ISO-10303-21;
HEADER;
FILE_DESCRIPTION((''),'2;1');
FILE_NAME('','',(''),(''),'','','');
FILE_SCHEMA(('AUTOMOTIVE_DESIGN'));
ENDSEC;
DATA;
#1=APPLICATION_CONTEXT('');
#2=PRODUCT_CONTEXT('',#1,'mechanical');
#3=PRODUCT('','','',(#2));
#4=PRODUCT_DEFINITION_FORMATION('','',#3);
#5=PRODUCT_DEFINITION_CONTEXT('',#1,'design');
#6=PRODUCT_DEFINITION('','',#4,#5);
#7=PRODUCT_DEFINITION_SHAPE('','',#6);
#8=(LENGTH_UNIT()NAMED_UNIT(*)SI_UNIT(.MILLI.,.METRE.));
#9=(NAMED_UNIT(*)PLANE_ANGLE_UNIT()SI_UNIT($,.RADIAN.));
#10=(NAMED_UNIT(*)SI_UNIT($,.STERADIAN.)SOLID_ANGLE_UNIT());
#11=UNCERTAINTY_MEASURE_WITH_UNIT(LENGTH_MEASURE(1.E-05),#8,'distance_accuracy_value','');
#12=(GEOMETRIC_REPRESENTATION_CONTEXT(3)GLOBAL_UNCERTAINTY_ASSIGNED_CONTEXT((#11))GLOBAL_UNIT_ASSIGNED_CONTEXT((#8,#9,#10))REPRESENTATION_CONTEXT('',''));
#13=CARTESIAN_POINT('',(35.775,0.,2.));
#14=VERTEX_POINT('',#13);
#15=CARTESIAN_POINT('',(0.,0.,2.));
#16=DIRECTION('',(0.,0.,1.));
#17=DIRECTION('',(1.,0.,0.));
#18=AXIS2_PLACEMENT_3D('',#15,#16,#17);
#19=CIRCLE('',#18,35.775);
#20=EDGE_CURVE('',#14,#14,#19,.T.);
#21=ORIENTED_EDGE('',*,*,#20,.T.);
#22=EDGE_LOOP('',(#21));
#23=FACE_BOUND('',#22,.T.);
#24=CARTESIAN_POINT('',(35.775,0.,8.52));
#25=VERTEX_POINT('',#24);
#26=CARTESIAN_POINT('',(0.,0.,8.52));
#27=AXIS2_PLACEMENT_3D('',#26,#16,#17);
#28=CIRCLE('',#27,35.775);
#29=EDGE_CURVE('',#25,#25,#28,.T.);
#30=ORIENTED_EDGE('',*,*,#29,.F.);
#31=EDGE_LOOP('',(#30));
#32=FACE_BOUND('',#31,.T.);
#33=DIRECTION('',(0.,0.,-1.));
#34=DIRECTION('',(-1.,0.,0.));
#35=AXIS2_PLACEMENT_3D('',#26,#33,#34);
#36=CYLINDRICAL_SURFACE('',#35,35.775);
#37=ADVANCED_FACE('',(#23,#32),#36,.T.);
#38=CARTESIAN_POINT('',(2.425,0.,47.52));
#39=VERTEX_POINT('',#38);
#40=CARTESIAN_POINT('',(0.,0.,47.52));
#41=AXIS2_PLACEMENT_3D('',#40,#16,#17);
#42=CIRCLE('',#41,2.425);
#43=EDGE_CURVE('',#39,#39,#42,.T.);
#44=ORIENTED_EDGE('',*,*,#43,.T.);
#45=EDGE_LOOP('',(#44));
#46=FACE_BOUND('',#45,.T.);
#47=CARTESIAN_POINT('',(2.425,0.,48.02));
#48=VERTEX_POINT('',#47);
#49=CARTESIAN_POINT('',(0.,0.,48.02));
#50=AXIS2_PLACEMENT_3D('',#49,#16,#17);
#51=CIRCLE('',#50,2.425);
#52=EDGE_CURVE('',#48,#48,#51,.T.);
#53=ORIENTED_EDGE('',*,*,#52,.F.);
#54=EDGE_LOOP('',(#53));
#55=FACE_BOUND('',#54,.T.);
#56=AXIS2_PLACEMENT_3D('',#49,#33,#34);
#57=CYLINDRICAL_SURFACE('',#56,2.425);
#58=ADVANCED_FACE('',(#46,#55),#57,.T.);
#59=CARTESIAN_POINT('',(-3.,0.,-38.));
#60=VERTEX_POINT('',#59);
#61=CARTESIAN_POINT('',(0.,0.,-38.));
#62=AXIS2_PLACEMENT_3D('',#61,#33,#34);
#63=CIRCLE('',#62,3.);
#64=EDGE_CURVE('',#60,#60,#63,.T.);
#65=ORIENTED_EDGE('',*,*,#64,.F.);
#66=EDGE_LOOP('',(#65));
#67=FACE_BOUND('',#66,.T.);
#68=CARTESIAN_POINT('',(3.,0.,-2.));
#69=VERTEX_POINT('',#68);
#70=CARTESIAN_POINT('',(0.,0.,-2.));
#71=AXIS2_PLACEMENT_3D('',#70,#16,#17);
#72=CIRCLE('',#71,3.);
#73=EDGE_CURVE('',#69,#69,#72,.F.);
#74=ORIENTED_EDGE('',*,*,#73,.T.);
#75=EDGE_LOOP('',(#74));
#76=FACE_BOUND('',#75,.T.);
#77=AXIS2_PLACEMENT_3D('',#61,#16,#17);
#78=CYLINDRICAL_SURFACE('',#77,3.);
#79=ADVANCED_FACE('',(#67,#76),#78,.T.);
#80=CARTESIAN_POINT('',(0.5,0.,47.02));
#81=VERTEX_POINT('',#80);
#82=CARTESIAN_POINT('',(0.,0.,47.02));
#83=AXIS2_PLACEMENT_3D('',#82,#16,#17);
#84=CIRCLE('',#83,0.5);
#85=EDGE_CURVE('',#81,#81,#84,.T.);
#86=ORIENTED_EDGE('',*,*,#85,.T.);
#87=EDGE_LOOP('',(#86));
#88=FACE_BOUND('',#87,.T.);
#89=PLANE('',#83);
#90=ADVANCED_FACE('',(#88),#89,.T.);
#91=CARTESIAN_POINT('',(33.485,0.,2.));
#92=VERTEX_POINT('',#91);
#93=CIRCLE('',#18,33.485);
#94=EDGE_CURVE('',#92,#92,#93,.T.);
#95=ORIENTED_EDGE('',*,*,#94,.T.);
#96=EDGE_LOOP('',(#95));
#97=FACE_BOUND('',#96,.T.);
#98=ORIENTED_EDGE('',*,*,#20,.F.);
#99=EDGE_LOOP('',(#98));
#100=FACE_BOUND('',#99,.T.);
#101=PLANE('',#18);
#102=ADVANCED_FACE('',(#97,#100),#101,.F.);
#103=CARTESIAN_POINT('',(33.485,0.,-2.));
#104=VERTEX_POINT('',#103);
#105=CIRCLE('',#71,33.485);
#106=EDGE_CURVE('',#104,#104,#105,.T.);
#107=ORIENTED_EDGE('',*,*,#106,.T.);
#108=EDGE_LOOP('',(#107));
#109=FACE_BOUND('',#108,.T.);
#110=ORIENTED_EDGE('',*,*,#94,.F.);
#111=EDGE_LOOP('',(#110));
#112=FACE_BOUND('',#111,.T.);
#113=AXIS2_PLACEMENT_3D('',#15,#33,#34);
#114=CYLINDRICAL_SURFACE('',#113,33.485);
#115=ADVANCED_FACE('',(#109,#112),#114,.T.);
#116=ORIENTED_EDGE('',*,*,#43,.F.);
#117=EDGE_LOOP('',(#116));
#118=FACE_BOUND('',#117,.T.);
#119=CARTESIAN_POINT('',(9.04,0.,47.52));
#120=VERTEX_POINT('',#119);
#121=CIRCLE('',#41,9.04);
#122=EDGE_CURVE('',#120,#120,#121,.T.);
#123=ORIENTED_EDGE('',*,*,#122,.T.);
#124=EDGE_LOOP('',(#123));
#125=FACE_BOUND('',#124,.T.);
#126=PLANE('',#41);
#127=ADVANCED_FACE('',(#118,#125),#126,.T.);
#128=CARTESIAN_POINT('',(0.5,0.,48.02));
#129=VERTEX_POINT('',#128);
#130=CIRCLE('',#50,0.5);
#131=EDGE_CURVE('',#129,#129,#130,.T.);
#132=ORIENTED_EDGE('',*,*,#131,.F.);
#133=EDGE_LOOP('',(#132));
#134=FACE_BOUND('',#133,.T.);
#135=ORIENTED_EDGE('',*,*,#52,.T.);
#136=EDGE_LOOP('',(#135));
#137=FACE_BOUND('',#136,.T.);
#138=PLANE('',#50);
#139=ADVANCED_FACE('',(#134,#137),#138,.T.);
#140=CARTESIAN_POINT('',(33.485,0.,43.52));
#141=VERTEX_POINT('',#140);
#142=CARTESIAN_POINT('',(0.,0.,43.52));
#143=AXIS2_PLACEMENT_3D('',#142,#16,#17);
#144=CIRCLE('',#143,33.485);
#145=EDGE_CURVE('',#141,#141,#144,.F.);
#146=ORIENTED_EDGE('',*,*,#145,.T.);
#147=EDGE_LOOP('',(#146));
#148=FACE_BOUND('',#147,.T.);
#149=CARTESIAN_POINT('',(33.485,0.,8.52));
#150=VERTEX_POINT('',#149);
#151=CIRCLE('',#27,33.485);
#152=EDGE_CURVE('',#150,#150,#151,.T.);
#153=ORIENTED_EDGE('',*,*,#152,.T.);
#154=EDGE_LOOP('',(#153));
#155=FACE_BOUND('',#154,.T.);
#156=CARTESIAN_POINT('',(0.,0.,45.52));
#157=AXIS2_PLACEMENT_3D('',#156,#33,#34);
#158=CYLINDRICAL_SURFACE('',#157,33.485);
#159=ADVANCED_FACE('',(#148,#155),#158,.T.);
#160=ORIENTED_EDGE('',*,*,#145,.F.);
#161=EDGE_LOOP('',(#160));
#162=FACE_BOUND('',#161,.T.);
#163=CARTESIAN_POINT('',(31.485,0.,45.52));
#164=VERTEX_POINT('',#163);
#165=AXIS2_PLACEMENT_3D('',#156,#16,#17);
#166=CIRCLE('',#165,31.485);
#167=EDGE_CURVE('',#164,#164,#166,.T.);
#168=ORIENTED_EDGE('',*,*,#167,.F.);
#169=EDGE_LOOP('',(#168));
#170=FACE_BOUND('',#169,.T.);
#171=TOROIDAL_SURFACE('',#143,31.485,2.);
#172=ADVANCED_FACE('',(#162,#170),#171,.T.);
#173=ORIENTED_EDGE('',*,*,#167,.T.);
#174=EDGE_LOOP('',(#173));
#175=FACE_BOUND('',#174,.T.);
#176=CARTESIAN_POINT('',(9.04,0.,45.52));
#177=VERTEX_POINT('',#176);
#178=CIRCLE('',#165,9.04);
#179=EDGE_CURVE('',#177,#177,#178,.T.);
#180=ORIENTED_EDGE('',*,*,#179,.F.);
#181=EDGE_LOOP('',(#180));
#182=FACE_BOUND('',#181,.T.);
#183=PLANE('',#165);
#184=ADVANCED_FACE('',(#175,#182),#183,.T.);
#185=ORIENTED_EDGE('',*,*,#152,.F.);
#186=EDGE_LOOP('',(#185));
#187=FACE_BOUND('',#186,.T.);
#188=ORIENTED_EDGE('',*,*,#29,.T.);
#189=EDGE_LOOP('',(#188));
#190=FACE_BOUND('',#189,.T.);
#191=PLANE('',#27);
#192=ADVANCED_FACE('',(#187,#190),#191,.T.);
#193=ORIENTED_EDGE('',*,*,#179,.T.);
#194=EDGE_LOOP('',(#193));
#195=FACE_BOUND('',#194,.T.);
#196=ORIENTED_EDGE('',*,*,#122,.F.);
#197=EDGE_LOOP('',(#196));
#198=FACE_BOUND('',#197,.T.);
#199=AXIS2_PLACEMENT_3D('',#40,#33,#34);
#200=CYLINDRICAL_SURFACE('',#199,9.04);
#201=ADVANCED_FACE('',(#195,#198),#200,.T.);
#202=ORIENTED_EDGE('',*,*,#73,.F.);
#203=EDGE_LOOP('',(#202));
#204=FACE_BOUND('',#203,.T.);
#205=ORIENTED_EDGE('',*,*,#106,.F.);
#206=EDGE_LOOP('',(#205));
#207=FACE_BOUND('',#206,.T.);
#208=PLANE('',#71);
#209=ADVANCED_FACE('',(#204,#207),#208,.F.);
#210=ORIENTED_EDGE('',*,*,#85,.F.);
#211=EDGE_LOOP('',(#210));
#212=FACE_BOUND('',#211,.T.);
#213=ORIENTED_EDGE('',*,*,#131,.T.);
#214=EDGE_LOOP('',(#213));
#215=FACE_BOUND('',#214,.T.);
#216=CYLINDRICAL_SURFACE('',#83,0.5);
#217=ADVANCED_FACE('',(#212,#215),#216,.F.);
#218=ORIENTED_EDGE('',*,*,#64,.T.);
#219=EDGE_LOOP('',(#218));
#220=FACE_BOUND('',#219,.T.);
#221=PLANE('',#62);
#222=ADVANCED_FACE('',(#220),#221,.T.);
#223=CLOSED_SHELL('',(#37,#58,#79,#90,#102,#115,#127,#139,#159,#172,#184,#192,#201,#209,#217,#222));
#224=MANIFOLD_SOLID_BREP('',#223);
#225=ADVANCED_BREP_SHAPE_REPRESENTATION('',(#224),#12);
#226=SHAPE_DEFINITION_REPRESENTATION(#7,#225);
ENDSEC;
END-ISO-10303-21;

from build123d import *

# Parameters (mm, degrees)
CROQUIS1_R              = 33.485
SALIENTE_EXTRUIR1_DEPTH = 2
CROQUIS2_R              = 35.775
SALIENTE_EXTRUIR2_DEPTH = 6.52
SALIENTE_EXTRUIR3_START = 37
CROQUIS3_R              = 33.485
SALIENTE_EXTRUIR3_DEPTH = 37
CROQUIS4_R              = 9.04
SALIENTE_EXTRUIR4_DEPTH = 2
CROQUIS5_R              = 2.425
SALIENTE_EXTRUIR5_DEPTH = 0.5
CROQUIS6_R              = 0.5
CORTAR_EXTRUIR1_DEPTH   = 1
CROQUIS7_R              = 3
SALIENTE_EXTRUIR6_DEPTH = 36
REDONDEO2_R             = 2


with BuildPart() as part:
    # Croquis1 → Saliente-Extruir1 (new, symmetric)
    with BuildSketch(Plane.XY):
        Circle(CROQUIS1_R)
    extrude(amount=SALIENTE_EXTRUIR1_DEPTH, both=True)

    # Croquis2 → Saliente-Extruir2 (add)
    with BuildSketch(Plane.XY.offset(2)):
        Circle(CROQUIS2_R)
    extrude(amount=SALIENTE_EXTRUIR2_DEPTH)

    # Croquis3 → Saliente-Extruir3 (add)
    with BuildSketch(Plane.XY.offset(8.52).offset(SALIENTE_EXTRUIR3_START)):
        Circle(CROQUIS3_R)
    extrude(amount=-SALIENTE_EXTRUIR3_DEPTH)

    # Croquis4 → Saliente-Extruir4 (add)
    with BuildSketch(Plane.XY.offset(45.52)):
        Circle(CROQUIS4_R)
    extrude(amount=SALIENTE_EXTRUIR4_DEPTH)

    # Croquis5 → Saliente-Extruir5 (add)
    with BuildSketch(Plane.XY.offset(47.52)):
        Circle(CROQUIS5_R)
    extrude(amount=SALIENTE_EXTRUIR5_DEPTH)

    # Croquis6 → Cortar-Extruir1 (cut)
    with BuildSketch(Plane.XY.offset(48.02)):
        Circle(CROQUIS6_R)
    extrude(amount=-CORTAR_EXTRUIR1_DEPTH, mode=Mode.SUBTRACT)

    # Croquis7 → Saliente-Extruir6 (add)
    with BuildSketch(Plane(origin=(0, 0, -2), x_dir=(-1, 0, 0), z_dir=(0, 0, -1))):
        with Locations(Location((0, 0, 0), (0, 0, 180))):
            Circle(CROQUIS7_R)
    extrude(amount=SALIENTE_EXTRUIR6_DEPTH)

    # Redondeo2
    redondeo2_edges = [part.edges().sort_by_distance(p)[0] for p in [
        (-33.485, 0, 45.52),
    ]]
    fillet(redondeo2_edges, radius=REDONDEO2_R)


solid = part.part
